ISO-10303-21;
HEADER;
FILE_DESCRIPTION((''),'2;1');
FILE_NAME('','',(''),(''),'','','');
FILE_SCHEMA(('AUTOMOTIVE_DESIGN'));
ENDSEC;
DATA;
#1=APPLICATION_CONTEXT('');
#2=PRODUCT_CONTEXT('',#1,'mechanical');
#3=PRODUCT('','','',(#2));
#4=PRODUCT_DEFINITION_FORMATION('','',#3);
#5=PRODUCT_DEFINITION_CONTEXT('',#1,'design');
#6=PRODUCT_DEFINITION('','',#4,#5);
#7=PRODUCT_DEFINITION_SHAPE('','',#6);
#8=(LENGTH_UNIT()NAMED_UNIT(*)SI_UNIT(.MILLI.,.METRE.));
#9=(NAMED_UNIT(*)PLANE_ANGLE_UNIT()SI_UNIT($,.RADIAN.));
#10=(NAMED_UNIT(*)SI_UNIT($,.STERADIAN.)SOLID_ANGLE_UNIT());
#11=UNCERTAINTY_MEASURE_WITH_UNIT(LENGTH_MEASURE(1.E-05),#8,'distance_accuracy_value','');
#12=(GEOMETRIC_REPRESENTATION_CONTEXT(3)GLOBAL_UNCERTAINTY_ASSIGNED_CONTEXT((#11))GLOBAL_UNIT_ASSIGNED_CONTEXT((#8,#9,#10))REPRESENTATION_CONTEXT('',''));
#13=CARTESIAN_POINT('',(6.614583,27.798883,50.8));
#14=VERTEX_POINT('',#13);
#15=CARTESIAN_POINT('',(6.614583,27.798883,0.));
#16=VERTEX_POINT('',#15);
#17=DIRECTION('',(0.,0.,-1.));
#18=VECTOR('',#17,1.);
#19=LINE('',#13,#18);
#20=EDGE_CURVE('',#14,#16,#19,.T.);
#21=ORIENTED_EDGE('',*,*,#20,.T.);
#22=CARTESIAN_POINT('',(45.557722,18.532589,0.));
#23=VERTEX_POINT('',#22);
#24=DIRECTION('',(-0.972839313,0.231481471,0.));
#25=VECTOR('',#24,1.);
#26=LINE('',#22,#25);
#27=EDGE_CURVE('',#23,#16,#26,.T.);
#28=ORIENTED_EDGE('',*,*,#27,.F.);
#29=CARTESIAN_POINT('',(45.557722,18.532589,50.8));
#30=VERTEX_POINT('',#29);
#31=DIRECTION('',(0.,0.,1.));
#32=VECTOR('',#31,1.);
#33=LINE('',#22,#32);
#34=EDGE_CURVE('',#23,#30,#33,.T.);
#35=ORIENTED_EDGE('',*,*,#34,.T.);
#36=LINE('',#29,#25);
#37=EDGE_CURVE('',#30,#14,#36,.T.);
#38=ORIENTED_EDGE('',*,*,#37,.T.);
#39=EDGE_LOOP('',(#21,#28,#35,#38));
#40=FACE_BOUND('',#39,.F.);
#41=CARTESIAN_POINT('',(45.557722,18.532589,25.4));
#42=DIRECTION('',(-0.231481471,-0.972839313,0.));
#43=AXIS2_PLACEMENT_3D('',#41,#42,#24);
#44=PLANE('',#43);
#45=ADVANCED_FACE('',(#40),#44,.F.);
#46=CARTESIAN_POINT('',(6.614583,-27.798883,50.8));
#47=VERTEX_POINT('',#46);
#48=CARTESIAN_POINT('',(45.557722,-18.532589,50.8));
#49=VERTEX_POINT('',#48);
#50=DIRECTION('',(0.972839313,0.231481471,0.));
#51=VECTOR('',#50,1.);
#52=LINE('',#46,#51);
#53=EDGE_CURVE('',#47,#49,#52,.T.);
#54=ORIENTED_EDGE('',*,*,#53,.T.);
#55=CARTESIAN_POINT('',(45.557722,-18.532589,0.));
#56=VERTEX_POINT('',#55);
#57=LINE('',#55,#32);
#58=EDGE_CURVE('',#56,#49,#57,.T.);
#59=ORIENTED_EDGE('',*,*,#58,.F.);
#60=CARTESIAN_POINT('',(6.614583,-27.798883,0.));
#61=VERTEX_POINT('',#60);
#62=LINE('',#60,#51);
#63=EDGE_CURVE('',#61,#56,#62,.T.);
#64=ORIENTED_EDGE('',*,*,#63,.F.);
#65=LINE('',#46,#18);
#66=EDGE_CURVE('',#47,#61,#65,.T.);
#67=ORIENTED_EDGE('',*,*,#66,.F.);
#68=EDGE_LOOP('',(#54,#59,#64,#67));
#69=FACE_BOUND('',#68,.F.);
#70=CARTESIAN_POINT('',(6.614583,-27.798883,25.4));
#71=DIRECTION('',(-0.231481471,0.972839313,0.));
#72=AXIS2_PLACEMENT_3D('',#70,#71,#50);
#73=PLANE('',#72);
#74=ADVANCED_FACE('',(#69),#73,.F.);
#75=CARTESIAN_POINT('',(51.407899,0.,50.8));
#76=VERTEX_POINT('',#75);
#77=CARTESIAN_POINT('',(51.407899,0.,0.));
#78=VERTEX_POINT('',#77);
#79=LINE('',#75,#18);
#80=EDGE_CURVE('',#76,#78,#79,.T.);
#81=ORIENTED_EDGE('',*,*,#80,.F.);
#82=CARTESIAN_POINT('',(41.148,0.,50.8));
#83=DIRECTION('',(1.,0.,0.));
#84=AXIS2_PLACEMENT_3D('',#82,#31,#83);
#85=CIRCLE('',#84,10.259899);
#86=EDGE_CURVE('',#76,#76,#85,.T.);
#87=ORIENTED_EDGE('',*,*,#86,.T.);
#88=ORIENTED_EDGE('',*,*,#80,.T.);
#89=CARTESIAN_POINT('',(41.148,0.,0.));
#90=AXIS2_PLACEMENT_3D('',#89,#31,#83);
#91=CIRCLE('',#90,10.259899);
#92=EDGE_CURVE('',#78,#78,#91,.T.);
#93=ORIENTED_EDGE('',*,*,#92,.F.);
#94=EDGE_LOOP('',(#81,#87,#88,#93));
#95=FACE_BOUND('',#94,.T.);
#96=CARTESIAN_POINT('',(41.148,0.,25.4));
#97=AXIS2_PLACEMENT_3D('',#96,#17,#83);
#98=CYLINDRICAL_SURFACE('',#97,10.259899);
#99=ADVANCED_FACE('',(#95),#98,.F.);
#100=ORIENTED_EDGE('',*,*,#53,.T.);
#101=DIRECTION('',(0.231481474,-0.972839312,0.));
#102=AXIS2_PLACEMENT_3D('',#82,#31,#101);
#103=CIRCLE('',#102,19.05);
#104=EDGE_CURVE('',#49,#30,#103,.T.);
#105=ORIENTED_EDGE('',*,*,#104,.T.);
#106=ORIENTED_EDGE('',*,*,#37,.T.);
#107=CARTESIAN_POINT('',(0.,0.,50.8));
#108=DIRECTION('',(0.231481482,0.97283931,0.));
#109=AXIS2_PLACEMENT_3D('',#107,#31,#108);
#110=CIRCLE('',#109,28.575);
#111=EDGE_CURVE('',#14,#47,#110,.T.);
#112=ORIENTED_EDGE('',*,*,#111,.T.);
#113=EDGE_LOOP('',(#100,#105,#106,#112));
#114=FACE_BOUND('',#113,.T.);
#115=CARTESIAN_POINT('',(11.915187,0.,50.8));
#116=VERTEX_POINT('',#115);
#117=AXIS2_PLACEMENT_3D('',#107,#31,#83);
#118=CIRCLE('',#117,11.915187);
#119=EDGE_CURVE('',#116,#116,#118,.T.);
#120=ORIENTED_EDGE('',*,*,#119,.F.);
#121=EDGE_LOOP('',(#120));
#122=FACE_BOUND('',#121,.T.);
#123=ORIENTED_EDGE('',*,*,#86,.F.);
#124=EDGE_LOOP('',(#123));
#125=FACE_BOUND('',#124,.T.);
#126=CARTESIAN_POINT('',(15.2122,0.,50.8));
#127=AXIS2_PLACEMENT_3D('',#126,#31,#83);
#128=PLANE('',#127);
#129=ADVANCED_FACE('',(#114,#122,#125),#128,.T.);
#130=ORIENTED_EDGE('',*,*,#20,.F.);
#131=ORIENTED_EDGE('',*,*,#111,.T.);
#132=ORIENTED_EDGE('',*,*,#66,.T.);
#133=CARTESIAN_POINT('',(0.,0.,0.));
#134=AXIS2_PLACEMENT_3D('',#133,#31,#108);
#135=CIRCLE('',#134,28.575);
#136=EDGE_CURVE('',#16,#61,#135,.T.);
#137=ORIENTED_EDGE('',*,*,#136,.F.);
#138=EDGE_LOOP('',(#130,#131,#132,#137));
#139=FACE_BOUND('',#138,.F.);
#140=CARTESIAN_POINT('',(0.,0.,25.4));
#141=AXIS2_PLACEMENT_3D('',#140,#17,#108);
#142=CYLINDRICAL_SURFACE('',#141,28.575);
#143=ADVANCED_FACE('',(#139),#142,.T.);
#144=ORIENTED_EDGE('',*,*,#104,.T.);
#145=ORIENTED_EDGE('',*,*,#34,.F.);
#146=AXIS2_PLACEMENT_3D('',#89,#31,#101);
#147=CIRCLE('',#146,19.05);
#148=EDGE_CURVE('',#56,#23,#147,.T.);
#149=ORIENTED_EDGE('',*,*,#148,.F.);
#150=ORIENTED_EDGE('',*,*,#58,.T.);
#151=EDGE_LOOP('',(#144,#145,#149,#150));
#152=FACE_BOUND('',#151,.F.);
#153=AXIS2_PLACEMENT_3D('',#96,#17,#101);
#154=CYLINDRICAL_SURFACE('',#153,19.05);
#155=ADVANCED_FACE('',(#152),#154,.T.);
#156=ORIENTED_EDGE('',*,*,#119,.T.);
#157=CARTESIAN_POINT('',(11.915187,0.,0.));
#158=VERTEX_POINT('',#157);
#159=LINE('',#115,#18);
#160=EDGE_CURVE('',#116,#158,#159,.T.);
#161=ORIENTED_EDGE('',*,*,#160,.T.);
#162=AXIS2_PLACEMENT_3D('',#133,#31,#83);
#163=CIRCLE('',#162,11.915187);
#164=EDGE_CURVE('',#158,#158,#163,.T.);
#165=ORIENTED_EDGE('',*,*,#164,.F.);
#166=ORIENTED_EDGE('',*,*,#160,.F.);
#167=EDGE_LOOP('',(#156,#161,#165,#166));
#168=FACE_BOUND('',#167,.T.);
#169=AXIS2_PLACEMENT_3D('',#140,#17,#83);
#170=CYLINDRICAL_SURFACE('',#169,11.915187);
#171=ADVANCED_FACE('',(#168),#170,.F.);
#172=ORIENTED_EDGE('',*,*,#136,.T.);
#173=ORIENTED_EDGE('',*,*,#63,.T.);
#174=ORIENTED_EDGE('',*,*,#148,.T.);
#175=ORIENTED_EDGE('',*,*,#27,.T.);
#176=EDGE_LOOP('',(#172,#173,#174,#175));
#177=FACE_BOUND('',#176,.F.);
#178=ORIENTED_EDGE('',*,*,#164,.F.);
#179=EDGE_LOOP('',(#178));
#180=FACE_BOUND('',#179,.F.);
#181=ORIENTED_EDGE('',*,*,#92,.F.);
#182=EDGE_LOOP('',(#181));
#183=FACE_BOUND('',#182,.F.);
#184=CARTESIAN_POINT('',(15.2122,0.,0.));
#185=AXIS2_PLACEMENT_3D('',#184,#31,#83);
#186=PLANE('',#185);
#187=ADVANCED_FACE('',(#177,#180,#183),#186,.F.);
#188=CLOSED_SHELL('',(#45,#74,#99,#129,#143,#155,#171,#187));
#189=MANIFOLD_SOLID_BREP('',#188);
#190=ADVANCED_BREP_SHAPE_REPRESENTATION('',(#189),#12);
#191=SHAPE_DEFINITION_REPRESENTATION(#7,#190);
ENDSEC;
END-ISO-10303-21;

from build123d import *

# Parameters (mm, degrees)
F0_R        = 11.915187
F0_R_2      = 10.259899
F1_DEPTH    = 25.4
F1_FACE_R   = 11.915187
F1_FACE_R_2 = 10.259899
F2_DEPTH    = 12.7
F3_DEPTH    = 25.4


with BuildPart() as f1:
    # F0 (on Top) → F1 (new body)
    with BuildSketch(Plane.XY):
        with BuildLine():
            Line((45.557722, 18.532589), (6.614583, 27.798883))
            ThreePointArc((6.614583, 27.798883), (-28.575, 0), (6.614583, -27.798883))
            Line((6.614583, -27.798883), (45.557722, -18.532589))
            ThreePointArc((45.557722, -18.532589), (60.198, 0), (45.557722, 18.532589))
        make_face()
        Circle(F0_R, mode=Mode.SUBTRACT)
        with Locations((41.148, 0)):
            Circle(F0_R_2, mode=Mode.SUBTRACT)
    extrude(amount=F1_DEPTH)

    # F1_face (on face) → F2 (join)
    with BuildSketch(Plane(origin=(12.189133, 0, 25.4), x_dir=(1, 0, 0), z_dir=(0, 0, 1))):
        with BuildLine():
            Line((-5.57455, -27.798883), (33.368589, -18.532589))
            ThreePointArc((33.368589, -18.532589), (48.008867, 0), (33.368589, 18.532589))
            Line((33.368589, 18.532589), (-5.57455, 27.798883))
            ThreePointArc((-5.57455, 27.798883), (-40.764133, 0), (-5.57455, -27.798883))
        make_face()
        with Locations((-12.189133, 0)):
            Circle(F1_FACE_R, mode=Mode.SUBTRACT)
        with Locations((28.958867, 0)):
            Circle(F1_FACE_R_2, mode=Mode.SUBTRACT)
    extrude(amount=-F2_DEPTH)

    # F1_face (on face) → F3 (join)
    with BuildSketch(Plane(origin=(12.189133, 0, 25.4), x_dir=(1, 0, 0), z_dir=(0, 0, 1))):
        with BuildLine():
            Line((-5.57455, -27.798883), (33.368589, -18.532589))
            ThreePointArc((33.368589, -18.532589), (48.008867, 0), (33.368589, 18.532589))
            Line((33.368589, 18.532589), (-5.57455, 27.798883))
            ThreePointArc((-5.57455, 27.798883), (-40.764133, 0), (-5.57455, -27.798883))
        make_face()
        with Locations((-12.189133, 0)):
            Circle(F1_FACE_R, mode=Mode.SUBTRACT)
        with Locations((28.958867, 0)):
            Circle(F1_FACE_R_2, mode=Mode.SUBTRACT)
    extrude(amount=F3_DEPTH)


solid = f1.part
